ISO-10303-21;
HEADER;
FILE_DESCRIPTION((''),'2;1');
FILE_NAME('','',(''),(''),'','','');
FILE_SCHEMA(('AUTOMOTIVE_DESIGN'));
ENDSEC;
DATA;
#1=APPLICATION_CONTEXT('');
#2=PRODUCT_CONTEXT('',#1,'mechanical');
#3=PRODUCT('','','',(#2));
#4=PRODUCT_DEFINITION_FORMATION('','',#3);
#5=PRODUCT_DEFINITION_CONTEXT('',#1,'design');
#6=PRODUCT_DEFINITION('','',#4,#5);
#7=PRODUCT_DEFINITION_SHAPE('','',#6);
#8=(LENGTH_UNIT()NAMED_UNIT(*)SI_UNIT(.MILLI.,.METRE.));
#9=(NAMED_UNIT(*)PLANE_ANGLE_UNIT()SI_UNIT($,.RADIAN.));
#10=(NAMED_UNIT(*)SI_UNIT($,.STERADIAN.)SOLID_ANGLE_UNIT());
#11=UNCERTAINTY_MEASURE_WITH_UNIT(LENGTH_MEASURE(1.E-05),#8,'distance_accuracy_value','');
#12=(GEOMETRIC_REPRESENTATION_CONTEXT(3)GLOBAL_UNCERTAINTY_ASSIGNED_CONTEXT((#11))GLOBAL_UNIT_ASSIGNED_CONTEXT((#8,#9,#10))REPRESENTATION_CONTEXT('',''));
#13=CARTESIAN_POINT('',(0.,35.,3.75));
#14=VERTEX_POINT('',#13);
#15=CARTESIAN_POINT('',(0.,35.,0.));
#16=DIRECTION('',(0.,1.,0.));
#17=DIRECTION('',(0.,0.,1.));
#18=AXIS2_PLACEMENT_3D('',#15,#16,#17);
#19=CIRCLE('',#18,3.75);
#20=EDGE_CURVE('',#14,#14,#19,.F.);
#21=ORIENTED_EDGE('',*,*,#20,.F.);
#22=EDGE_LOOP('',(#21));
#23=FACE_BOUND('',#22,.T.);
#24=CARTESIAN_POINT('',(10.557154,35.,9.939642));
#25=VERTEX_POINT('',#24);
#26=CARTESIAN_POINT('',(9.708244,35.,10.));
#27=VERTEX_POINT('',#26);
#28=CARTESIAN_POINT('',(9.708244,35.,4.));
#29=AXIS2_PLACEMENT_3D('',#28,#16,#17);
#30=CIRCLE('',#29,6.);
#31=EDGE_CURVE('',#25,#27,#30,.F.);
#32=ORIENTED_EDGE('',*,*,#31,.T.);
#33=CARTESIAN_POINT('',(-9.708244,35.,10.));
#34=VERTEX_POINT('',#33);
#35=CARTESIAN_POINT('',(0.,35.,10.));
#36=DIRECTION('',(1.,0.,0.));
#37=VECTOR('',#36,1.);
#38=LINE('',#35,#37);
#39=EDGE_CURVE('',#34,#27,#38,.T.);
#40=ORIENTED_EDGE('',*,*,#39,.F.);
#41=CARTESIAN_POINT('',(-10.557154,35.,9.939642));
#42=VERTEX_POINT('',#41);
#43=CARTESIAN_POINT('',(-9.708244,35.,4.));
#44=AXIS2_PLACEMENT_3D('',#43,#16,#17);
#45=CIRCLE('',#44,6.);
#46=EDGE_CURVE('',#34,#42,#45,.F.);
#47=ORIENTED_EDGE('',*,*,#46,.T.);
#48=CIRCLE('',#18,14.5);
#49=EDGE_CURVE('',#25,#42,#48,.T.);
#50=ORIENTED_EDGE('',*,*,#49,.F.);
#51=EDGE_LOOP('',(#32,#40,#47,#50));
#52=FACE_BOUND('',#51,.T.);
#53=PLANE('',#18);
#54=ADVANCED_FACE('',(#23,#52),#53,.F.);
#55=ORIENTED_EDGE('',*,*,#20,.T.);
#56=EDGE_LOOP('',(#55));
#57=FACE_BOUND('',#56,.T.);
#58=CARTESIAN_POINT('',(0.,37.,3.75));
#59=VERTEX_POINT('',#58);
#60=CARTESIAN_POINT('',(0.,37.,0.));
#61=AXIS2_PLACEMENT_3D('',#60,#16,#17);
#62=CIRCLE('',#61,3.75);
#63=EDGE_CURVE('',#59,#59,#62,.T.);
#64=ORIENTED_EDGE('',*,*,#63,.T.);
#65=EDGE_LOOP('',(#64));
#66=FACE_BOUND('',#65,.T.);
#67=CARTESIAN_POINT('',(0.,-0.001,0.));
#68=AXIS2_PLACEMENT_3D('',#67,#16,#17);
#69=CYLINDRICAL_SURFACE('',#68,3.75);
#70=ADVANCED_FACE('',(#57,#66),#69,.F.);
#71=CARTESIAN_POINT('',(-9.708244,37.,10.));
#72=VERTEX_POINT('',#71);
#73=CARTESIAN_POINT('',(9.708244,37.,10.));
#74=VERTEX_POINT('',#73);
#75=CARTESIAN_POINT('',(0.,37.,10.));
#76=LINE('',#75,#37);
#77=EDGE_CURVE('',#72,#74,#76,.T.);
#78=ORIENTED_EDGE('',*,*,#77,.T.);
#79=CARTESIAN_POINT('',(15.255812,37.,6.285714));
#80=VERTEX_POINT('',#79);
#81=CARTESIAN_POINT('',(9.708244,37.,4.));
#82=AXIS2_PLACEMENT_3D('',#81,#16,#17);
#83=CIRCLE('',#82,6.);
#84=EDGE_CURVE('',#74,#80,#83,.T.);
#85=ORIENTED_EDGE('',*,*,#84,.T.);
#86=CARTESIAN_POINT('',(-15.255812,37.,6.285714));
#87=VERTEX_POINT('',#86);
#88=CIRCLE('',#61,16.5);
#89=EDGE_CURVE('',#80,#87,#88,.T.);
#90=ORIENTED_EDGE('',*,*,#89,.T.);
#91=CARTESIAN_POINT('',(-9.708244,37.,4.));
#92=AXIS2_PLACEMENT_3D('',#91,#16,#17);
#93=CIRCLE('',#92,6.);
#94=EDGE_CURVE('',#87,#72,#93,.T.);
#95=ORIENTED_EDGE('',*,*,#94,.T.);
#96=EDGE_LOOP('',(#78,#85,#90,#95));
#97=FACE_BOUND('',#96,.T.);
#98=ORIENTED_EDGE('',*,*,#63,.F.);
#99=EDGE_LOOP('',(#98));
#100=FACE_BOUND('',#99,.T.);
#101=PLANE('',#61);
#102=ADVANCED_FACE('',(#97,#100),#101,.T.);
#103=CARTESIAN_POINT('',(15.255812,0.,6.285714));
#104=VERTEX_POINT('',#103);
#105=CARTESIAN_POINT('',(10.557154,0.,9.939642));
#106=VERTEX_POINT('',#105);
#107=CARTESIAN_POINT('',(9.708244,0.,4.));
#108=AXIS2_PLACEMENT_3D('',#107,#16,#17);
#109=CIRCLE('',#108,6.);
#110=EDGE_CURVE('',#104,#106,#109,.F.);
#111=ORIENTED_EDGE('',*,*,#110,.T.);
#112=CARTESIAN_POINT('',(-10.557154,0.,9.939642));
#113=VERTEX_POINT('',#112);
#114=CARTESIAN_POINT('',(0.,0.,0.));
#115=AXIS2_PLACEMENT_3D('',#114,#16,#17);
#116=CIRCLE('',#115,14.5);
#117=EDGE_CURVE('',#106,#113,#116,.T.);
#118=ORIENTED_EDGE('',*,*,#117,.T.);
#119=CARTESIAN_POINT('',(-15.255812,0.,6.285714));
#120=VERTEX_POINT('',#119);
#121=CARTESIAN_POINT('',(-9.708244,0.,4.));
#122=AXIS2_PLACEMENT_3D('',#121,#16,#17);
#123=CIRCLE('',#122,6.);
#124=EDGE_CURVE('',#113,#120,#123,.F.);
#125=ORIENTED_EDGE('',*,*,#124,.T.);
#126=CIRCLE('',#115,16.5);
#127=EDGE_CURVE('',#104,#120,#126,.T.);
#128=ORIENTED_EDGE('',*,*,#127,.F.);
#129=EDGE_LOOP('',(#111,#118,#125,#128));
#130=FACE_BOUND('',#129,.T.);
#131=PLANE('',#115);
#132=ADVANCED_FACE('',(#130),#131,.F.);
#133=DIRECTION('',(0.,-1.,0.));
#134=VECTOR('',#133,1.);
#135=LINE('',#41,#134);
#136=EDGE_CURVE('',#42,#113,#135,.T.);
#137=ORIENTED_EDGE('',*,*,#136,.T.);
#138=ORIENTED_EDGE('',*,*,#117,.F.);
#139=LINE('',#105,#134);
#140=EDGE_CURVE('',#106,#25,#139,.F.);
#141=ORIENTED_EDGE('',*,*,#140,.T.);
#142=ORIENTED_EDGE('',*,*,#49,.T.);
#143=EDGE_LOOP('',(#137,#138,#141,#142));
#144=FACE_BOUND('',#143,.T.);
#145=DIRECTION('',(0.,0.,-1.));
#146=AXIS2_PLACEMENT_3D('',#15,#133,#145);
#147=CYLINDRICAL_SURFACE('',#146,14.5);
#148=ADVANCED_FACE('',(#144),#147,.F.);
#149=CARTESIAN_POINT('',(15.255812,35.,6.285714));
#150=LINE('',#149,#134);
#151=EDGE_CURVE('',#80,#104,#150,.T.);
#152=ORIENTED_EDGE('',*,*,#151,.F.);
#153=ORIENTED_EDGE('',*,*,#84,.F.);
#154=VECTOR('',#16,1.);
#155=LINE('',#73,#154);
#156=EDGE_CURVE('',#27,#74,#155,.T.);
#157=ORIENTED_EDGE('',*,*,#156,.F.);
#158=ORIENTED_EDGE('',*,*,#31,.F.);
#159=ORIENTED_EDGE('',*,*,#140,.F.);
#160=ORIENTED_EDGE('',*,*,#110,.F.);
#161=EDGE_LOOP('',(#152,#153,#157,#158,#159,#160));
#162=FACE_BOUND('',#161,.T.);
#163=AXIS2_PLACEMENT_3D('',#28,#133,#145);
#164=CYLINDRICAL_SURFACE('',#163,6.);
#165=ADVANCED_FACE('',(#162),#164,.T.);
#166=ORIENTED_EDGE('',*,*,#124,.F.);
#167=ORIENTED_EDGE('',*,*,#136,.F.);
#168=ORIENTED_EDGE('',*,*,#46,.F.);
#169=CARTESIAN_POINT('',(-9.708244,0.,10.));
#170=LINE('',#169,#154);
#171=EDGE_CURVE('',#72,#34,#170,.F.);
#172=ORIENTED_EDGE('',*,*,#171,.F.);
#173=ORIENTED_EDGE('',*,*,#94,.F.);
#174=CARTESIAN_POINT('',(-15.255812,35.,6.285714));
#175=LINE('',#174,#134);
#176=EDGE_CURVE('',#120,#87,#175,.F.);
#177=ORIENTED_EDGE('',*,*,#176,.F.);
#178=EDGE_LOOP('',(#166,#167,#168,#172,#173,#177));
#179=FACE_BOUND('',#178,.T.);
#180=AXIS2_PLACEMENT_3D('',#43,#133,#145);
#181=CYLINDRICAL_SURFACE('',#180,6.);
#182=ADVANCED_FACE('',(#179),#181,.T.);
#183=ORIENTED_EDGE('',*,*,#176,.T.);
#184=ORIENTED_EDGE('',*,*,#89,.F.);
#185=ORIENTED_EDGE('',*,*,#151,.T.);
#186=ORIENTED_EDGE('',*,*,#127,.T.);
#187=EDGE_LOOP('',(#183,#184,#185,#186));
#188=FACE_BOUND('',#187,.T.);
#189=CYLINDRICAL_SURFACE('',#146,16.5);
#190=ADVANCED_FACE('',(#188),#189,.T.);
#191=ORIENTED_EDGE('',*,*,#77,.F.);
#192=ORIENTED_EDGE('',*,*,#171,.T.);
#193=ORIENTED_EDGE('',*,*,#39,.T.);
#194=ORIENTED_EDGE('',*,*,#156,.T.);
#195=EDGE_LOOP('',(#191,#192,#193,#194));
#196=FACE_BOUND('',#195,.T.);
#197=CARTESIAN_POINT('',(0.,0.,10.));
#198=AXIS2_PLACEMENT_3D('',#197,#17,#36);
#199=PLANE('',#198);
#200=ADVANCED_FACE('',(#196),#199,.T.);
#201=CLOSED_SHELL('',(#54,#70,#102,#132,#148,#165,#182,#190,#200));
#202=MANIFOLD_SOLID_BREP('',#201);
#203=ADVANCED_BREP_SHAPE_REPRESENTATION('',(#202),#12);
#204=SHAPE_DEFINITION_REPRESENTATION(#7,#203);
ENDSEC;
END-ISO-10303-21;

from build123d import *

# Parameters (mm, degrees)
SKETCH_1_R          = 16.5
SKETCH_1_R_2        = 14.5
EXTRUDE_1_DEPTH     = 35
SKETCH_3_R          = 16.5
EXTRUDE_2_DEPTH     = 2
SKETCH_4_W          = 49.747728002
SKETCH_4_H          = 43.690708299
CUT_EXTRUDE_1_DEPTH = 49.40970977
CUT_EXTRUDE_2_REACH = 45.744
SKETCH_5_R          = 3.75
FILLET_1_R          = 6


with BuildPart() as part:
    # 草图1 → 凸台-拉伸1 (new body)
    with BuildSketch(Plane(origin=(0, 0, 0), x_dir=(1, 0, 0), z_dir=(0, 1, 0))):
        with Locations(Location((0, 0, 0), (0, 0, 270))):
            Circle(SKETCH_1_R)
        with Locations(Location((0, 0, 0), (0, 0, 270))):
            Circle(SKETCH_1_R_2, mode=Mode.SUBTRACT)
    extrude(amount=EXTRUDE_1_DEPTH)

    # 草图3 → 凸台-拉伸2 (add)
    with BuildSketch(Plane(origin=(0, 35, 0), x_dir=(1, 0, 0), z_dir=(0, 1, 0))):
        with Locations(Location((0, 0, 0), (0, 0, 270))):
            Circle(SKETCH_3_R)
    extrude(amount=EXTRUDE_2_DEPTH)

    # 草图4 → 切除-拉伸1 (cut, through all)
    with BuildSketch(Plane.XY.offset(10)):
        with Locations((3.540684312, 17.876483266)):
            Rectangle(SKETCH_4_W, SKETCH_4_H)
    extrude(amount=CUT_EXTRUDE_1_DEPTH, mode=Mode.SUBTRACT)

    # 草图5 → 切除-拉伸2 (cut, up to next)
    with BuildSketch(Plane(origin=(0, 37, 0), x_dir=(1, 0, 0), z_dir=(0, 1, 0)), mode=Mode.PRIVATE) as cut_extrude_2_sk1:
        with Locations(Location((0, 0, 0), (0, 0, 270))):
            Circle(SKETCH_5_R)
    cut_extrude_2_tool1 = extrude(cut_extrude_2_sk1.sketch, amount=-CUT_EXTRUDE_2_REACH, mode=Mode.PRIVATE) & part.part
    add(cut_extrude_2_tool1.solids().sort_by_distance((0, 37, 0))[0], mode=Mode.SUBTRACT)

    # 圆角1
    fillet_1_edges = [part.edges().sort_by_distance(p)[0] for p in [
        (13.124404748, 18.5, 10),
        (-13.124404748, 18.5, 10),
    ]]
    fillet(fillet_1_edges, radius=FILLET_1_R)


solid = part.part
